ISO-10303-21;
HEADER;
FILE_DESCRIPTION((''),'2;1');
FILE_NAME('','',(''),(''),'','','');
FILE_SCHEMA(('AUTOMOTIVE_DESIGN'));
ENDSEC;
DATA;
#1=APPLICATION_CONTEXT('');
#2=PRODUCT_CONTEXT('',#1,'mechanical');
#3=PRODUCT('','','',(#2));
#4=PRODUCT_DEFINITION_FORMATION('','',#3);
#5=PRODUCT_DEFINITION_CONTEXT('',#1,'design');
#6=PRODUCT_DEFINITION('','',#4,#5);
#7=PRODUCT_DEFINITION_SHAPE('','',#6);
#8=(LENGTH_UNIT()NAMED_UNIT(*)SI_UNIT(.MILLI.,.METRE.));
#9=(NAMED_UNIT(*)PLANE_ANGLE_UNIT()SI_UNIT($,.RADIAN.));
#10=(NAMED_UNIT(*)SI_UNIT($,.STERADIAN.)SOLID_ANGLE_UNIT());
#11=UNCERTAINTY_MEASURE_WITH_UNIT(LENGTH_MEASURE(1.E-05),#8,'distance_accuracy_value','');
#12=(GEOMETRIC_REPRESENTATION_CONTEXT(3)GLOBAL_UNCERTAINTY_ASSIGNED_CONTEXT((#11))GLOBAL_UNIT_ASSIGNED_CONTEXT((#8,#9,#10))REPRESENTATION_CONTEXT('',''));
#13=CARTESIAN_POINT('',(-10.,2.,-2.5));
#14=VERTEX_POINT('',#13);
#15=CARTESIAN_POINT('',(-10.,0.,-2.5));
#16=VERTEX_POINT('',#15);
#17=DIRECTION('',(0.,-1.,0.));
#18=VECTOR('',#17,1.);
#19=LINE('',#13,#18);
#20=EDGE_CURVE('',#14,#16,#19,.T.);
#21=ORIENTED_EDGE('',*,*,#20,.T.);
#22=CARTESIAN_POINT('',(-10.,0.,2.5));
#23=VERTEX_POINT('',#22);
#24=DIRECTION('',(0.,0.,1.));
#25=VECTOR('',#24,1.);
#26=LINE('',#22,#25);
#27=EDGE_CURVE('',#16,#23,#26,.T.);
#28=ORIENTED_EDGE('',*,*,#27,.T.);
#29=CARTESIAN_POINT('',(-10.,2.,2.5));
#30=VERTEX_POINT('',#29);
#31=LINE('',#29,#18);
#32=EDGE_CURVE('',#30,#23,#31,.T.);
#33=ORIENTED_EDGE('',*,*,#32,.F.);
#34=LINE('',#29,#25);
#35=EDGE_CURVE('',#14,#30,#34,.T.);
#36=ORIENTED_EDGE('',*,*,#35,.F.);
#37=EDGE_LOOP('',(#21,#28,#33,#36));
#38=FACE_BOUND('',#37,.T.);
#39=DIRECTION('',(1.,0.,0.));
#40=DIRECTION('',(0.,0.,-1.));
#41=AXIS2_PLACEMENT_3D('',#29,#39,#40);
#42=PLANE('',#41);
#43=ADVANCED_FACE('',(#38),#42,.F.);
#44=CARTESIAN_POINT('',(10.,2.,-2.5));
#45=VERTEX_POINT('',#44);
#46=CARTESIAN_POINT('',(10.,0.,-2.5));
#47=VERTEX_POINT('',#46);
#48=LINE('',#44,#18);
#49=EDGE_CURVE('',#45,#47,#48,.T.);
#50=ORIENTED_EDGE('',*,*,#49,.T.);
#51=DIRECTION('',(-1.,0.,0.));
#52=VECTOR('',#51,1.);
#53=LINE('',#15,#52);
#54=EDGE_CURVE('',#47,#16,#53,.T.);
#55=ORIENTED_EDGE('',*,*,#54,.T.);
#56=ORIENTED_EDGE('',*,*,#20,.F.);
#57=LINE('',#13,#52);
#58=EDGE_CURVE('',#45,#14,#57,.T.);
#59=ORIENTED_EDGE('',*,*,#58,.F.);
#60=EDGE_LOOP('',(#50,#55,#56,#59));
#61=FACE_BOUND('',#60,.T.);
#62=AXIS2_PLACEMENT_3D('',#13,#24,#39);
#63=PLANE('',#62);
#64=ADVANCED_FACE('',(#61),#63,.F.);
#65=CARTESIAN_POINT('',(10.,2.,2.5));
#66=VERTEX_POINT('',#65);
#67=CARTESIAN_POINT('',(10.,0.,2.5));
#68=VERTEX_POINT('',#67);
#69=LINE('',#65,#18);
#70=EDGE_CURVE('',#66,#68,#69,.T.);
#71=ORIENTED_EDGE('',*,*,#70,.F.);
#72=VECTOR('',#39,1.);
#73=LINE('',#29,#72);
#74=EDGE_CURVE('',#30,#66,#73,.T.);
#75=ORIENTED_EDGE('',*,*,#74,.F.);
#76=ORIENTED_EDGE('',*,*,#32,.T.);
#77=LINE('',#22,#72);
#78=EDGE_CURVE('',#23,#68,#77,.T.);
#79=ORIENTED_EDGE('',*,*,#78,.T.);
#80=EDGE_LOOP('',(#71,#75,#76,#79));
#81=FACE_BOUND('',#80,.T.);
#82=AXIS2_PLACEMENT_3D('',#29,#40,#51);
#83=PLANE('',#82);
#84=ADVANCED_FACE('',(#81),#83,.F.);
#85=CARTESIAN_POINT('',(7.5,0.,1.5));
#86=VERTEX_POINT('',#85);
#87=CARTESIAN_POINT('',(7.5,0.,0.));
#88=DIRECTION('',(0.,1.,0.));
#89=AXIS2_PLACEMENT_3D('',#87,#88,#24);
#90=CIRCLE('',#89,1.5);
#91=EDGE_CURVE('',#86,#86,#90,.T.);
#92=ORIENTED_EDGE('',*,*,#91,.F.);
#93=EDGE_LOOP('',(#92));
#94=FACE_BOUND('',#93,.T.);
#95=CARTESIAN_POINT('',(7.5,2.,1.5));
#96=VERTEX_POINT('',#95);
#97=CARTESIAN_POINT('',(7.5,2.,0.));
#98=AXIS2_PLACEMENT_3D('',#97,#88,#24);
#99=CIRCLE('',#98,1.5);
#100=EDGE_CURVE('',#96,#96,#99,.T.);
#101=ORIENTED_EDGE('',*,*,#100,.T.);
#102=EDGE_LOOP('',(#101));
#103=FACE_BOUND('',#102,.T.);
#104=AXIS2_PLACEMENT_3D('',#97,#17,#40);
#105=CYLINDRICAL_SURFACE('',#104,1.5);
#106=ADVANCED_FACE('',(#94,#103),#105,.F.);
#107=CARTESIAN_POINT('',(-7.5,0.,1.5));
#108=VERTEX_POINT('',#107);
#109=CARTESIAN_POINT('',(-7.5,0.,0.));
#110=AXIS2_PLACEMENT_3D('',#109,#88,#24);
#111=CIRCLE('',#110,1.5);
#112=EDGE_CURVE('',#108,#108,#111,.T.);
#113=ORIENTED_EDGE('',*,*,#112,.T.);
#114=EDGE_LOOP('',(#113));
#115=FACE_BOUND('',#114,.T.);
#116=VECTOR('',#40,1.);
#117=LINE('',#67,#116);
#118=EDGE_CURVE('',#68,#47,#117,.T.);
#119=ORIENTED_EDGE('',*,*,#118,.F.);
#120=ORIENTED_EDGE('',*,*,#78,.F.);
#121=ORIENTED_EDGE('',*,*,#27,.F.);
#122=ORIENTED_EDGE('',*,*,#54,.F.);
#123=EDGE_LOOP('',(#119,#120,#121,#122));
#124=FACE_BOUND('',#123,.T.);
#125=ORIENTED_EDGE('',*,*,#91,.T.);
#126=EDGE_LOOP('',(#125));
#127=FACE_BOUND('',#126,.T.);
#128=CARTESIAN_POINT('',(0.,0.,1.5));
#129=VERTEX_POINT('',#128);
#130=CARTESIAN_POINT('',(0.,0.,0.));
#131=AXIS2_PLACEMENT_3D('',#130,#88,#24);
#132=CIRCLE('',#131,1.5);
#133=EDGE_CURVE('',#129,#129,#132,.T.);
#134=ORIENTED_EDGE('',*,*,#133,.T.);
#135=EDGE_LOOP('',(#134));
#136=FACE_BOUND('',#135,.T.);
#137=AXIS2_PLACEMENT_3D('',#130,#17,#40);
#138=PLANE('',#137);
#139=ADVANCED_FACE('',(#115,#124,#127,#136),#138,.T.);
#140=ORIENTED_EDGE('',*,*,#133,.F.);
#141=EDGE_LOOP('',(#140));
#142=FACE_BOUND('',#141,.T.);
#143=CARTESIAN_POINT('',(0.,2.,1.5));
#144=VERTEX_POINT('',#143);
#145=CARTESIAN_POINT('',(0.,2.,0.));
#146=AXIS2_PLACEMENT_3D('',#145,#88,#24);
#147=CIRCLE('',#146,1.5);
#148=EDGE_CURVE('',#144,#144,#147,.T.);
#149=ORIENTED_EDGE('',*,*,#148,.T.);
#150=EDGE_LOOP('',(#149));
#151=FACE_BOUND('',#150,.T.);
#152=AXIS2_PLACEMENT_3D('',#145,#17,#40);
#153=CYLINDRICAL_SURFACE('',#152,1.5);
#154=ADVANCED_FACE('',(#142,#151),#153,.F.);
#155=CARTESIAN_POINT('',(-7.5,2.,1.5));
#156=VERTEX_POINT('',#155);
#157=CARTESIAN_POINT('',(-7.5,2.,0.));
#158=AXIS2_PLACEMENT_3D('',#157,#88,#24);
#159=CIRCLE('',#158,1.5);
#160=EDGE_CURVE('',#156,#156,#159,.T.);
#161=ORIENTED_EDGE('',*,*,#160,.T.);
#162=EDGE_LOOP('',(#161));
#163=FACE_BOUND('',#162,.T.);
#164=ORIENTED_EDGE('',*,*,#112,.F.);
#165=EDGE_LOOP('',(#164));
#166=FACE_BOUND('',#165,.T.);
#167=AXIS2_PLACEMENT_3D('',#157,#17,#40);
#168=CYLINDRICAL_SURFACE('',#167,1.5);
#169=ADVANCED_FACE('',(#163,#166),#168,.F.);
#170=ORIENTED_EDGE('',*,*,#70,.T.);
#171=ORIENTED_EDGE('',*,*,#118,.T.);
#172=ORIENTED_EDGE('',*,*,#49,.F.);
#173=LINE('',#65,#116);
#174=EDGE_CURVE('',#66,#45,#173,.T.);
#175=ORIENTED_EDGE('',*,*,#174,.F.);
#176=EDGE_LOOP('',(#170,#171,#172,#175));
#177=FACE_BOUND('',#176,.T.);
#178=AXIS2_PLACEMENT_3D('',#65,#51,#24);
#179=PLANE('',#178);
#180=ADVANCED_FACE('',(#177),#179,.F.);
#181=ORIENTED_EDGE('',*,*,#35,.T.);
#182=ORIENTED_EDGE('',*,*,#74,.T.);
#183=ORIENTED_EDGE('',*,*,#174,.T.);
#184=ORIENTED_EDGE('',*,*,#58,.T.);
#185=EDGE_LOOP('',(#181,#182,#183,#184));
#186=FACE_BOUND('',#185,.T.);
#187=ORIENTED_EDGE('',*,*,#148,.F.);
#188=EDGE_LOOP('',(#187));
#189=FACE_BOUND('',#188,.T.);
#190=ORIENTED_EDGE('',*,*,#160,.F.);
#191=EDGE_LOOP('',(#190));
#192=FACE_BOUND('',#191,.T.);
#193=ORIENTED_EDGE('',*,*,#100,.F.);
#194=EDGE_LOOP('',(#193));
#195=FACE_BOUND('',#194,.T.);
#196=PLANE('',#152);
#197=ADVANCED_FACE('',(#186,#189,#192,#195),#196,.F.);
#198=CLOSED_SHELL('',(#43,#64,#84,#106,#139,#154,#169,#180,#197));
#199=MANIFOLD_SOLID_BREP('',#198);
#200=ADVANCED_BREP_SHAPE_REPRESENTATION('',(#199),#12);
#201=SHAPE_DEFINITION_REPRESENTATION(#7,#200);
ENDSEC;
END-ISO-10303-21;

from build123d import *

# Parameters (mm, degrees)
SKETCH1_W           = 20
SKETCH1_H           = 5
SKETCH1_R           = 1.5
BOSS_EXTRUDE1_DEPTH = 2


with BuildPart() as part:
    # Sketch1 → Boss-Extrude1 (new body)
    with BuildSketch(Plane(origin=(0, 0, 0), x_dir=(1, 0, 0), z_dir=(0, 1, 0))):
        Rectangle(SKETCH1_W, SKETCH1_H)
        with Locations(Location((-7.5, 0, 0), (0, 0, 270))):
            Circle(SKETCH1_R, mode=Mode.SUBTRACT)
        with Locations(Location((7.5, 0, 0), (0, 0, 270))):
            Circle(SKETCH1_R, mode=Mode.SUBTRACT)
        with Locations(Location((0, 0, 0), (0, 0, 270))):
            Circle(SKETCH1_R, mode=Mode.SUBTRACT)
    extrude(amount=BOSS_EXTRUDE1_DEPTH)


solid = part.part
